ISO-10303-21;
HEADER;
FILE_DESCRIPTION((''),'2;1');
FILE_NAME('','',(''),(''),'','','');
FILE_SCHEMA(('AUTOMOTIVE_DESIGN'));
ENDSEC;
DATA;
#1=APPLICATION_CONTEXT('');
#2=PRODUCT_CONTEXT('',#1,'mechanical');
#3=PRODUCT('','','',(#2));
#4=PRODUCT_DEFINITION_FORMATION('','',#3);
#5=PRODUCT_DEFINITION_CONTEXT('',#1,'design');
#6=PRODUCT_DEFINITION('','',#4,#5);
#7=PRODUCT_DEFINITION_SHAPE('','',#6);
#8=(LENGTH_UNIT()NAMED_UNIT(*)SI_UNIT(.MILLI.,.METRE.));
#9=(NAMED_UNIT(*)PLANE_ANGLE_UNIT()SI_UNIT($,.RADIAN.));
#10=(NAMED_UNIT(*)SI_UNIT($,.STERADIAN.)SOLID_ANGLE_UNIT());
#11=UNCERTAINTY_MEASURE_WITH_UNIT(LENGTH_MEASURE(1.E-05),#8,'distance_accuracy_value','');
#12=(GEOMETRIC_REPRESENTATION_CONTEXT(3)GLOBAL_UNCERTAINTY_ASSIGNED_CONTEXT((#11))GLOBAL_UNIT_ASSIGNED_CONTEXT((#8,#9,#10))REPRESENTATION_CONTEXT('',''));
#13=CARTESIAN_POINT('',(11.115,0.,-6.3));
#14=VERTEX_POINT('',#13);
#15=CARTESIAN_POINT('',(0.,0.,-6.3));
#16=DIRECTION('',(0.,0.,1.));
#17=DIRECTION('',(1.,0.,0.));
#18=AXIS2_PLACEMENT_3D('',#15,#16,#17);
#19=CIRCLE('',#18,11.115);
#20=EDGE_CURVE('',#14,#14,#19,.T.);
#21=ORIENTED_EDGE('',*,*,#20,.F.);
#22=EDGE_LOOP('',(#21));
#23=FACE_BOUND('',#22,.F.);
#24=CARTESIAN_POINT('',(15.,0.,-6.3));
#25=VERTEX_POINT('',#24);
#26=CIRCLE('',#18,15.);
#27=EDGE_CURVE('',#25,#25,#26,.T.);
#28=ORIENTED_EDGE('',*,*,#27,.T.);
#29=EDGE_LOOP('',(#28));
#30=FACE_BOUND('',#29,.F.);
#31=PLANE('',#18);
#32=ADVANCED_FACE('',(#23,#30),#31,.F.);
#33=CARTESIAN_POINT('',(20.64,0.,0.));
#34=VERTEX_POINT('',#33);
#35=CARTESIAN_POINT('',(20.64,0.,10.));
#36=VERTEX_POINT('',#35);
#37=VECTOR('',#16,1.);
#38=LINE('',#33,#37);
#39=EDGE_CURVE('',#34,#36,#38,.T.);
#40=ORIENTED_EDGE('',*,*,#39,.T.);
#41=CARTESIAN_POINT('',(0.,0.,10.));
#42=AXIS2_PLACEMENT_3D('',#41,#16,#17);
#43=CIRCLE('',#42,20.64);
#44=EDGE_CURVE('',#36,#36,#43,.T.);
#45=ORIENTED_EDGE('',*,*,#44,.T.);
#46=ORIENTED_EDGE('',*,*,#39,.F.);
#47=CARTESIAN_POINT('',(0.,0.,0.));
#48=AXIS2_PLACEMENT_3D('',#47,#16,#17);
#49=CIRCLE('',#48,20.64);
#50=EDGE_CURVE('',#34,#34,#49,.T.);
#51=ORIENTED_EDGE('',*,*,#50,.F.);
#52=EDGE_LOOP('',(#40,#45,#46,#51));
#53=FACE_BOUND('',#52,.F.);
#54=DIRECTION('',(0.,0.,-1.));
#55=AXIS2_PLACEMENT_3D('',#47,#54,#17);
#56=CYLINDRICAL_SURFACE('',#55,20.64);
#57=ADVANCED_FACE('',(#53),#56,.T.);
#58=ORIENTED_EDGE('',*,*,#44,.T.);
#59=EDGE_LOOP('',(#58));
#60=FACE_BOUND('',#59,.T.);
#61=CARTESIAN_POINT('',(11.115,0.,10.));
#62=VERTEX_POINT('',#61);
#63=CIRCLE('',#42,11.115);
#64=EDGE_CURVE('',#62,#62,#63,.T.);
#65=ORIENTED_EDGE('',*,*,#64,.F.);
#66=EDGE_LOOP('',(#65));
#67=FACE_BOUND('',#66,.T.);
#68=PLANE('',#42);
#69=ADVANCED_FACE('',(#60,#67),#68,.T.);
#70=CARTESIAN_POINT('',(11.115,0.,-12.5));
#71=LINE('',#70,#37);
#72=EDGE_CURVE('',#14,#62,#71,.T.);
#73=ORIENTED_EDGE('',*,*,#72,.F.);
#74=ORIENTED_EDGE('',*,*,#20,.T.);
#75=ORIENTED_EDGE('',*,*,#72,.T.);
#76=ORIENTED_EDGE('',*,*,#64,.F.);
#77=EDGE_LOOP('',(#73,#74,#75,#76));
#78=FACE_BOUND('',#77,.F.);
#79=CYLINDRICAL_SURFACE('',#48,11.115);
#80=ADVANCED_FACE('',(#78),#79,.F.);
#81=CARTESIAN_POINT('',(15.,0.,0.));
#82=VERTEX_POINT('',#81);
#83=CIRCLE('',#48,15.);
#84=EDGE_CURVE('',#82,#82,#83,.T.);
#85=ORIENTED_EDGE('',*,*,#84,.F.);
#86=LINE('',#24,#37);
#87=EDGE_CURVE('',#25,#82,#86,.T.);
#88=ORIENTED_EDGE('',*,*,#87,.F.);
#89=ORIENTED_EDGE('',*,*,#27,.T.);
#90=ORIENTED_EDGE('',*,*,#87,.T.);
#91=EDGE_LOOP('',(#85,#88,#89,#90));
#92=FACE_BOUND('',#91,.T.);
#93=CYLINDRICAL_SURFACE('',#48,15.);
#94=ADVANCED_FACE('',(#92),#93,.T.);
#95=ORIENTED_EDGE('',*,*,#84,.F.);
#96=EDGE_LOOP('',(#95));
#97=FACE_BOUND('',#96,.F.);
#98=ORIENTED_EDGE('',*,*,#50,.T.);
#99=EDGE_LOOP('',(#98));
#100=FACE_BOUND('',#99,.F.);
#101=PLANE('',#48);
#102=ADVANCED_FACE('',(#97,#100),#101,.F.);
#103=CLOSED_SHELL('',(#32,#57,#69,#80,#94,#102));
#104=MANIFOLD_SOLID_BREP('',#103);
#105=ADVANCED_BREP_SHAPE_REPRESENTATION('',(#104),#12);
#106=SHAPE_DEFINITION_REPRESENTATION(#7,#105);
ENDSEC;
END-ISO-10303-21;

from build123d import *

# Parameters (mm, degrees)
F0_R     = 20.64
F1_DEPTH = 10
F2_R     = 15
F3_DEPTH = 6.3
F4_R     = 11.115
F5_DEPTH = 12.5


with BuildPart() as f1:
    # F0 (on Top) → F1 (new body)
    with BuildSketch(Plane.XY):
        Circle(F0_R)
    extrude(amount=F1_DEPTH)

    # F2 (on Top) → F3 (join, symmetric)
    with BuildSketch(Plane.XY):
        Circle(F2_R)
    extrude(amount=F3_DEPTH, both=True)

    # F4 (on Top) → F5 (cut, symmetric)
    with BuildSketch(Plane.XY):
        Circle(F4_R)
    extrude(amount=F5_DEPTH, both=True, mode=Mode.SUBTRACT)


solid = f1.part
